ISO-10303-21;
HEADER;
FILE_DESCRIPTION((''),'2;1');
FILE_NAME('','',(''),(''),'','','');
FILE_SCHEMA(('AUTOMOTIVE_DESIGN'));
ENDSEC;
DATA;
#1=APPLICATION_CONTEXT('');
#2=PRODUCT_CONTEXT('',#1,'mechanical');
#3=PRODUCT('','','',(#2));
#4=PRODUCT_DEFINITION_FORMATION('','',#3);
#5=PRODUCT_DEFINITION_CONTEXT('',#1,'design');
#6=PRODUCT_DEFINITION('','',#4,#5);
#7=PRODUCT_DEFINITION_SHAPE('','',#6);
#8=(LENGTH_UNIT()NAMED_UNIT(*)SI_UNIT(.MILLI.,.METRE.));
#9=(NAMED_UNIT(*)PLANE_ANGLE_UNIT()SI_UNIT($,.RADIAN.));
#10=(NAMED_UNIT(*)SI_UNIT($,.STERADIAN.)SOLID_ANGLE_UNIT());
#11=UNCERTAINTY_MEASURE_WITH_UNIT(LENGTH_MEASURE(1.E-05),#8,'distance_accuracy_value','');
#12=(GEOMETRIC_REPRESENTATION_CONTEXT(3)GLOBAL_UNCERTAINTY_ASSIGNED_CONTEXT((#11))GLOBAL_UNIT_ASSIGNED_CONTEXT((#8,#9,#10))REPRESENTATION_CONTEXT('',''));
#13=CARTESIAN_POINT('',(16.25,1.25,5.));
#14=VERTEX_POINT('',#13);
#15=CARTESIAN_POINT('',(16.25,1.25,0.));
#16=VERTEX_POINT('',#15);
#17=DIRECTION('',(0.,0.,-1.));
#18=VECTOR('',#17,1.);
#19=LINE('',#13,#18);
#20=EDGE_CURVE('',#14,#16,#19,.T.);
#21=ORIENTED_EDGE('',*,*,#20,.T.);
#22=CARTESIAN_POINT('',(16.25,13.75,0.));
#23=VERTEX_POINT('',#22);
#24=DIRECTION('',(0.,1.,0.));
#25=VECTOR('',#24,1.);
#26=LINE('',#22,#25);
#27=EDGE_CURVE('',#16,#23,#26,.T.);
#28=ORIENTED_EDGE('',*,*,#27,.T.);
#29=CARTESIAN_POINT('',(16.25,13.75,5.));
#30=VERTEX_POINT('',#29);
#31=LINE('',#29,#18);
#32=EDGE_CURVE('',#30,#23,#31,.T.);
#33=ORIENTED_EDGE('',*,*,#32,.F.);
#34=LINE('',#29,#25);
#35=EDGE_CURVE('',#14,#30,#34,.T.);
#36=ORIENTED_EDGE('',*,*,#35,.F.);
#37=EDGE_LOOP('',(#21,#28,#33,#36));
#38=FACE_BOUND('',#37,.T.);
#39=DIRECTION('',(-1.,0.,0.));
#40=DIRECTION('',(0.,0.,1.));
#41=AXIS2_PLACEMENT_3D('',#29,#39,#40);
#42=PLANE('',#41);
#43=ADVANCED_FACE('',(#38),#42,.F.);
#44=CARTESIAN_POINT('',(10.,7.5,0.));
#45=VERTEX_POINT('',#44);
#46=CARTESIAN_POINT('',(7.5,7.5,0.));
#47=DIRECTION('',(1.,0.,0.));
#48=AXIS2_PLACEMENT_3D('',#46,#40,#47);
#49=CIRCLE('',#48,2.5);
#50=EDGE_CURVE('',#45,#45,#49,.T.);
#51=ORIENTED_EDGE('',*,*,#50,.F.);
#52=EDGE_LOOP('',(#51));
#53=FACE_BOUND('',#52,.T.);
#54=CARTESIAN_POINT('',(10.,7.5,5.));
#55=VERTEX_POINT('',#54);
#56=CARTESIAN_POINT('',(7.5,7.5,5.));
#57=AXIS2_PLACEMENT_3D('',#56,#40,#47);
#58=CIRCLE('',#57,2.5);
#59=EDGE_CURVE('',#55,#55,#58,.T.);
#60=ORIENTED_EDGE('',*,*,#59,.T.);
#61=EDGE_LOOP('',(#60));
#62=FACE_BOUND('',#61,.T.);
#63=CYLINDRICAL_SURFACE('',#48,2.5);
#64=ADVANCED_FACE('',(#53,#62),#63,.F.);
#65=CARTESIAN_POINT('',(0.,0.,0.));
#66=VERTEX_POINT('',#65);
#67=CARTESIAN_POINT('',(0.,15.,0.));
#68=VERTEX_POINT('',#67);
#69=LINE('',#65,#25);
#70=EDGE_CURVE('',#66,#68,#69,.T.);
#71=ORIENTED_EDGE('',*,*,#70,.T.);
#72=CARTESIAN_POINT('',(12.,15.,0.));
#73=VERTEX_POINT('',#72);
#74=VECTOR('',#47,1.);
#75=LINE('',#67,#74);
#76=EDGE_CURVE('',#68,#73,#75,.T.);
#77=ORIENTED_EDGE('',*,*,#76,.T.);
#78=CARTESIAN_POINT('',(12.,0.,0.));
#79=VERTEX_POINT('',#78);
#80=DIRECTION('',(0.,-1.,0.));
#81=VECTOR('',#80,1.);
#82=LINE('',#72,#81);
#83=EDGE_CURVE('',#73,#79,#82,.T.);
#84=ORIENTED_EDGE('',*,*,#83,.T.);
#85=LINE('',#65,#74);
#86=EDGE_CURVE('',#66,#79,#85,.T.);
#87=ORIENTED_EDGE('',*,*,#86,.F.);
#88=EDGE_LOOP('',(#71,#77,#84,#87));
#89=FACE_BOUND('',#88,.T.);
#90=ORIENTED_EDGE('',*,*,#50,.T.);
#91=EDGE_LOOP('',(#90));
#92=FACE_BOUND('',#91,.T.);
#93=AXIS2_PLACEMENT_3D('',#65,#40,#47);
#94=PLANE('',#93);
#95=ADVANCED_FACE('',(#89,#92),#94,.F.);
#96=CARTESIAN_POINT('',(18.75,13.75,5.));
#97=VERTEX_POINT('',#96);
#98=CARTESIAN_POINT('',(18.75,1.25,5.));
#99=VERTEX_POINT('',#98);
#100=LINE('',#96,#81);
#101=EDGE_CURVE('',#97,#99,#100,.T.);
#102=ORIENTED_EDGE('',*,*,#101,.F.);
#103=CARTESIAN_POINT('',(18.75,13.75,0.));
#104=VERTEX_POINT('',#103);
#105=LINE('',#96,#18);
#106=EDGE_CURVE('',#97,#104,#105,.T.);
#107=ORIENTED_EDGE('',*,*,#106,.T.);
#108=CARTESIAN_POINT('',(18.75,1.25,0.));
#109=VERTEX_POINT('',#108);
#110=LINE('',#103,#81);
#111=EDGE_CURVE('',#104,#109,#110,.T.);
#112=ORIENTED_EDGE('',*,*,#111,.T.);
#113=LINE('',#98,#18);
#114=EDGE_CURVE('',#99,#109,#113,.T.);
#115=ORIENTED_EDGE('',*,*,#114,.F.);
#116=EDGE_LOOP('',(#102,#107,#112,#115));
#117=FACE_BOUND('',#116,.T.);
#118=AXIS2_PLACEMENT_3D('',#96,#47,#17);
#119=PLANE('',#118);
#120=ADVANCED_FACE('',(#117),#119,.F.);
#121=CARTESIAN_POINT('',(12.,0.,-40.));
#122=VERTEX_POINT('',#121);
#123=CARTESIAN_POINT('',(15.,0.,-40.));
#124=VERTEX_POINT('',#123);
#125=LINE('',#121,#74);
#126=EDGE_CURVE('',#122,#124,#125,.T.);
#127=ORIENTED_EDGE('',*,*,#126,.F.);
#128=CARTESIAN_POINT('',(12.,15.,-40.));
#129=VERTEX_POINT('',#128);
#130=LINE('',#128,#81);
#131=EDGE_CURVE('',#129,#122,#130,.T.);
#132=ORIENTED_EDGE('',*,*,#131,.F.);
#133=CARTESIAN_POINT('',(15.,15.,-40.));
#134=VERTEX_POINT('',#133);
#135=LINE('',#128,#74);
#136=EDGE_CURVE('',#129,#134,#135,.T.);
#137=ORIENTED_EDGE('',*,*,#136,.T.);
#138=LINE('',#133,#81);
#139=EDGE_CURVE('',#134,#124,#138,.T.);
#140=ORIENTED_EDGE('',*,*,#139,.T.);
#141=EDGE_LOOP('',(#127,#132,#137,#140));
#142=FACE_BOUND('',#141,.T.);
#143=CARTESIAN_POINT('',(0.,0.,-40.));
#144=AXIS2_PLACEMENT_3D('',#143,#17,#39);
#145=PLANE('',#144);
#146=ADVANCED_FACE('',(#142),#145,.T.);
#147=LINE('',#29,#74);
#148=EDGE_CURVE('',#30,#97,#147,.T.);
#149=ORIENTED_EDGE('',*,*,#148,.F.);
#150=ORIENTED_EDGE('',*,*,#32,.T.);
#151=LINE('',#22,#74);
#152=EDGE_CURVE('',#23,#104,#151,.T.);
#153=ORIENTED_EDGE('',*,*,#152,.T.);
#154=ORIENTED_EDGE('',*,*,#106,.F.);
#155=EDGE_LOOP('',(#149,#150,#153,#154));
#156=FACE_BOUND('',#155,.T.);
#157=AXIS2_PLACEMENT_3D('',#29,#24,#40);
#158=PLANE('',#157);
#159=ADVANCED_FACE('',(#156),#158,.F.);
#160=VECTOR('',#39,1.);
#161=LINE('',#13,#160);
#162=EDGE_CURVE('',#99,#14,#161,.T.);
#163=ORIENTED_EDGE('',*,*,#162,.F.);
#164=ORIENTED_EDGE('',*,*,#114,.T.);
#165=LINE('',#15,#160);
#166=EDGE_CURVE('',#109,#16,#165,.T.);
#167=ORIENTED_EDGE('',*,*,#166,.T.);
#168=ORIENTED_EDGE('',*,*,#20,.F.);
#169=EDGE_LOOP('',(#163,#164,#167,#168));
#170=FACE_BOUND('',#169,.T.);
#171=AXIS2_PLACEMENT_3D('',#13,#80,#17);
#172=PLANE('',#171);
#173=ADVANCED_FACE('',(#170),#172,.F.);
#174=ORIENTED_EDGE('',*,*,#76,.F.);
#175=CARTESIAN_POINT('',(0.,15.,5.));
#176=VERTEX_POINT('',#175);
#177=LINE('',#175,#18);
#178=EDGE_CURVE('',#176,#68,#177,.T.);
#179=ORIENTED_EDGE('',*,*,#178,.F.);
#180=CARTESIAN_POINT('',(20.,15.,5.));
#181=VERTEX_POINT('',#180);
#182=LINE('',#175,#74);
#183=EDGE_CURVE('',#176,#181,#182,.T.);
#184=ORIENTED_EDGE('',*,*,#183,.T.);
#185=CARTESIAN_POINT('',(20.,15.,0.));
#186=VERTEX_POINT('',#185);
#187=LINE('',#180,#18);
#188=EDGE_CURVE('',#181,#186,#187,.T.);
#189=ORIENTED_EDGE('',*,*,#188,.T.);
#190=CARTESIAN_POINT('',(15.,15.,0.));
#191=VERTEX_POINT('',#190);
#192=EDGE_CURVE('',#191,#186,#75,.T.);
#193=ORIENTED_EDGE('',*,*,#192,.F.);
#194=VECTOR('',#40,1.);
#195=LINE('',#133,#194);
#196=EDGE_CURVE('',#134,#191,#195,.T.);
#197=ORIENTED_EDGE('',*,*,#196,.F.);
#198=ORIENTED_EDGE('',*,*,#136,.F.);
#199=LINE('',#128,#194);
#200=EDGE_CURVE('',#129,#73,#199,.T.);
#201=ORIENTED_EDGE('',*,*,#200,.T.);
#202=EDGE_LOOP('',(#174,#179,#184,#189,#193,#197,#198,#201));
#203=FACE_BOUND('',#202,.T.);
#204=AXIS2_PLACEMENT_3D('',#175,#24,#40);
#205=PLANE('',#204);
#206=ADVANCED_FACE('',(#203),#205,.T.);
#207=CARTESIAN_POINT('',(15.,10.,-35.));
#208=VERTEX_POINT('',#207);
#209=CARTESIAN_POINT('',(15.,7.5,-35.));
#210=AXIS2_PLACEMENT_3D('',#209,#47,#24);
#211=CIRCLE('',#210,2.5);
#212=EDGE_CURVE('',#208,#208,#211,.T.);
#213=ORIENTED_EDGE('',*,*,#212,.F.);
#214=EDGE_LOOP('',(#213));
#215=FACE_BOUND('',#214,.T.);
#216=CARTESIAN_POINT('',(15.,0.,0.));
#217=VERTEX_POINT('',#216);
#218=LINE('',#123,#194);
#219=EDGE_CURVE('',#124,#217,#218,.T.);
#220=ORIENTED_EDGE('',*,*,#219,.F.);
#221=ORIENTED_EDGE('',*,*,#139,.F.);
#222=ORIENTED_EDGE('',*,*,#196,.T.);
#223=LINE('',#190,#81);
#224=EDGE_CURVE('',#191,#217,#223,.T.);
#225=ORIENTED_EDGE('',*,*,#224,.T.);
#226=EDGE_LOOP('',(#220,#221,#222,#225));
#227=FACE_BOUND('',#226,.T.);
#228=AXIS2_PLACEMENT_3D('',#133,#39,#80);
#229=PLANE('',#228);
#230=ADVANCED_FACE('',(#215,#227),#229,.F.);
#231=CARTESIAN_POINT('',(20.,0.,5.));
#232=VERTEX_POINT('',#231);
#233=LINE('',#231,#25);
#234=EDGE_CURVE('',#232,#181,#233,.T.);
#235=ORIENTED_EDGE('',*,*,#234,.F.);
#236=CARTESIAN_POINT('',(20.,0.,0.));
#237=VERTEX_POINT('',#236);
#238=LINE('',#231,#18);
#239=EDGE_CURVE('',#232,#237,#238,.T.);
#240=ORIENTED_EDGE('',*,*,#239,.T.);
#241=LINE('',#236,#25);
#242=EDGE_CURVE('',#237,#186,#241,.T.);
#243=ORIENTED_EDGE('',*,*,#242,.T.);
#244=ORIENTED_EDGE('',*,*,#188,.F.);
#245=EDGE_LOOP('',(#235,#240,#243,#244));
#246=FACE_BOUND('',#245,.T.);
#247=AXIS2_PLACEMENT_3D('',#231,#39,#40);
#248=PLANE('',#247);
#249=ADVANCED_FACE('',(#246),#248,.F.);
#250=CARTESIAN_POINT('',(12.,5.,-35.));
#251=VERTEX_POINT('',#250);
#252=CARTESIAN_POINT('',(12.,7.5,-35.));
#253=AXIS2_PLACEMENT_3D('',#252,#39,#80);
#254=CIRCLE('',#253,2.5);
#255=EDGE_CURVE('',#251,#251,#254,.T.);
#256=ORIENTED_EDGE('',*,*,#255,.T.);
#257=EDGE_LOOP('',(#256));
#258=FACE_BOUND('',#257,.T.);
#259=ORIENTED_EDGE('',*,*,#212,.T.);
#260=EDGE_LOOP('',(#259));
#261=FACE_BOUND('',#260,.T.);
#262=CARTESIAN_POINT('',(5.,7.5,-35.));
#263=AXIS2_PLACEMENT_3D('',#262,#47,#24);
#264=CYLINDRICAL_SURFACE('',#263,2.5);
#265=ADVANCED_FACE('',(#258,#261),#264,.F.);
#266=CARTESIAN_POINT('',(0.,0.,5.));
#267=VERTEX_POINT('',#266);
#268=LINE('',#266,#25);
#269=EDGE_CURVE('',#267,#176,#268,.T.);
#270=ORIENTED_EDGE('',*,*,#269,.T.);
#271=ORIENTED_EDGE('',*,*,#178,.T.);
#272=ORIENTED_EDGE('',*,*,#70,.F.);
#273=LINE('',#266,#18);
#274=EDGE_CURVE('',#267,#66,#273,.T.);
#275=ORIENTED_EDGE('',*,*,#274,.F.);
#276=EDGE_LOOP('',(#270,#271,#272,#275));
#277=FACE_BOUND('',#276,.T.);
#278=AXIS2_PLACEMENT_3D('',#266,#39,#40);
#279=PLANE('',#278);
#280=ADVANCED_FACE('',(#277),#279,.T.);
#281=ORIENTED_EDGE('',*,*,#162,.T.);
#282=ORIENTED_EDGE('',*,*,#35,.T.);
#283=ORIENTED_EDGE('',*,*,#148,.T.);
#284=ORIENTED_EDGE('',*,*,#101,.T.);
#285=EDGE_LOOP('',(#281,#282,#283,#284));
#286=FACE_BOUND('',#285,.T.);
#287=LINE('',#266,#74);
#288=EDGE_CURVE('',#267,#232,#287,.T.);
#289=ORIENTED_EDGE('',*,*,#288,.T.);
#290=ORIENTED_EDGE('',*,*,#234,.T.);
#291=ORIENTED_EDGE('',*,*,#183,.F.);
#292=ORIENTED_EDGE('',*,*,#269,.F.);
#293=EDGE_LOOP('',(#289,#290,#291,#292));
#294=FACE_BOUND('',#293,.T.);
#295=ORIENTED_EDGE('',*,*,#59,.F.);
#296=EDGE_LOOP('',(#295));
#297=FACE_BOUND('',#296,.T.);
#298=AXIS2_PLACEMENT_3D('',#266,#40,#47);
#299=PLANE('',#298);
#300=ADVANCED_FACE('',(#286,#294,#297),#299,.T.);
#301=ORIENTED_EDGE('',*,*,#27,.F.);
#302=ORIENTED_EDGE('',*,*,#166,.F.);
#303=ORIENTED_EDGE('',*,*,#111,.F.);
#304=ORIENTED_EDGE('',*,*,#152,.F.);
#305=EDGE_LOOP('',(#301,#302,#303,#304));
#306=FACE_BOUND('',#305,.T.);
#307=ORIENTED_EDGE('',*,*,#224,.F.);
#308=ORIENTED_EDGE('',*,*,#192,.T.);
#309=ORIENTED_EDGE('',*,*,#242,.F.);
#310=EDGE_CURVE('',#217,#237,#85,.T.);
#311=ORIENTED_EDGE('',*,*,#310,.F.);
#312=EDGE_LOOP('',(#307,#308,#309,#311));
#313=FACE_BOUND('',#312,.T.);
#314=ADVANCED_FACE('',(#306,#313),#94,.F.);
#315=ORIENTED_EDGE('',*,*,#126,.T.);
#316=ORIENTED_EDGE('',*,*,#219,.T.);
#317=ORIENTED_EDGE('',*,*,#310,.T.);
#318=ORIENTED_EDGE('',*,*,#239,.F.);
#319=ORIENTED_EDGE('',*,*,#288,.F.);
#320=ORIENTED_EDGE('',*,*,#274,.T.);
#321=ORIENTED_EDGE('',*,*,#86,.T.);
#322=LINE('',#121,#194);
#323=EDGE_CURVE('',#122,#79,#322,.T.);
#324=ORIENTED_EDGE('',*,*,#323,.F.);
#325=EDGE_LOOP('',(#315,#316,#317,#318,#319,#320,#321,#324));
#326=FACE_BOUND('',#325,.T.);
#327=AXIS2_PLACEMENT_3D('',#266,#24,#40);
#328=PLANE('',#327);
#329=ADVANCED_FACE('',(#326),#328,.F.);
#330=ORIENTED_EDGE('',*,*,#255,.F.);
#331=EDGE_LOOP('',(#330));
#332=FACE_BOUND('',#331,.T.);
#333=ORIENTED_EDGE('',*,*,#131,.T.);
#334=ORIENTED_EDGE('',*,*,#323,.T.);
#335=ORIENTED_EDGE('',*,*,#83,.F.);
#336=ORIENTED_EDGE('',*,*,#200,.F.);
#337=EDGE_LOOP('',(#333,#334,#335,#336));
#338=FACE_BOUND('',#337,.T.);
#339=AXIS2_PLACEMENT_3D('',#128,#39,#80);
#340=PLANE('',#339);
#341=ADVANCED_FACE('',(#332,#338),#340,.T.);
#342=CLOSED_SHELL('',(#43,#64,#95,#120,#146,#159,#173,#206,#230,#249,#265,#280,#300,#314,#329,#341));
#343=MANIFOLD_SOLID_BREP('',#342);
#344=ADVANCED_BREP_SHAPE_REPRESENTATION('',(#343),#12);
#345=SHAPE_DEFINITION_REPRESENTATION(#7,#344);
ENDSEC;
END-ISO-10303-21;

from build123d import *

# Parameters (mm, degrees)
SKETCH1_W           = 20
SKETCH1_H           = 15
BOSS_EXTRUDE1_DEPTH = 5
SKETCH2_R           = 2.5
CUT_EXTRUDE1_DEPTH  = 5
SKETCH3_W           = 3
SKETCH3_H           = 15
BOSS_EXTRUDE2_DEPTH = 40
SKETCH5_W           = 2.5
SKETCH5_H           = 12.5
CUT_EXTRUDE3_DEPTH  = 6
SKETCH4_R           = 2.5
CUT_EXTRUDE4_DEPTH  = 10


with BuildPart() as part:
    # Sketch1 → Boss-Extrude1 (new body)
    with BuildSketch(Plane.XY):
        with Locations((10, 7.5)):
            Rectangle(SKETCH1_W, SKETCH1_H)
    extrude(amount=BOSS_EXTRUDE1_DEPTH)

    # Sketch2 → Cut-Extrude1 (cut)
    with BuildSketch(Plane.XY.offset(5)):
        with Locations((7.5, 7.5)):
            Circle(SKETCH2_R)
    extrude(amount=-CUT_EXTRUDE1_DEPTH, mode=Mode.SUBTRACT)

    # Sketch3 → Boss-Extrude2 (add)
    with BuildSketch(Plane(origin=(0, 0, 0), x_dir=(-1, 0, 0), z_dir=(0, 0, -1))):
        with Locations((-13.5, 7.5)):
            Rectangle(SKETCH3_W, SKETCH3_H)
    extrude(amount=BOSS_EXTRUDE2_DEPTH)

    # Sketch5 → Cut-Extrude3 (cut, through all)
    with BuildSketch(Plane(origin=(0, 0, 0), x_dir=(-1, 0, 0), z_dir=(0, 0, -1))):
        with Locations((-17.5, 7.5)):
            Rectangle(SKETCH5_W, SKETCH5_H)
    extrude(amount=-CUT_EXTRUDE3_DEPTH, mode=Mode.SUBTRACT)

    # Sketch4 → Cut-Extrude4 (cut)
    with BuildSketch(Plane(origin=(15, 0, 0), x_dir=(0, 0, -1), z_dir=(1, 0, 0))):
        with Locations((35, 7.5)):
            Circle(SKETCH4_R)
    extrude(amount=-CUT_EXTRUDE4_DEPTH, mode=Mode.SUBTRACT)


solid = part.part
